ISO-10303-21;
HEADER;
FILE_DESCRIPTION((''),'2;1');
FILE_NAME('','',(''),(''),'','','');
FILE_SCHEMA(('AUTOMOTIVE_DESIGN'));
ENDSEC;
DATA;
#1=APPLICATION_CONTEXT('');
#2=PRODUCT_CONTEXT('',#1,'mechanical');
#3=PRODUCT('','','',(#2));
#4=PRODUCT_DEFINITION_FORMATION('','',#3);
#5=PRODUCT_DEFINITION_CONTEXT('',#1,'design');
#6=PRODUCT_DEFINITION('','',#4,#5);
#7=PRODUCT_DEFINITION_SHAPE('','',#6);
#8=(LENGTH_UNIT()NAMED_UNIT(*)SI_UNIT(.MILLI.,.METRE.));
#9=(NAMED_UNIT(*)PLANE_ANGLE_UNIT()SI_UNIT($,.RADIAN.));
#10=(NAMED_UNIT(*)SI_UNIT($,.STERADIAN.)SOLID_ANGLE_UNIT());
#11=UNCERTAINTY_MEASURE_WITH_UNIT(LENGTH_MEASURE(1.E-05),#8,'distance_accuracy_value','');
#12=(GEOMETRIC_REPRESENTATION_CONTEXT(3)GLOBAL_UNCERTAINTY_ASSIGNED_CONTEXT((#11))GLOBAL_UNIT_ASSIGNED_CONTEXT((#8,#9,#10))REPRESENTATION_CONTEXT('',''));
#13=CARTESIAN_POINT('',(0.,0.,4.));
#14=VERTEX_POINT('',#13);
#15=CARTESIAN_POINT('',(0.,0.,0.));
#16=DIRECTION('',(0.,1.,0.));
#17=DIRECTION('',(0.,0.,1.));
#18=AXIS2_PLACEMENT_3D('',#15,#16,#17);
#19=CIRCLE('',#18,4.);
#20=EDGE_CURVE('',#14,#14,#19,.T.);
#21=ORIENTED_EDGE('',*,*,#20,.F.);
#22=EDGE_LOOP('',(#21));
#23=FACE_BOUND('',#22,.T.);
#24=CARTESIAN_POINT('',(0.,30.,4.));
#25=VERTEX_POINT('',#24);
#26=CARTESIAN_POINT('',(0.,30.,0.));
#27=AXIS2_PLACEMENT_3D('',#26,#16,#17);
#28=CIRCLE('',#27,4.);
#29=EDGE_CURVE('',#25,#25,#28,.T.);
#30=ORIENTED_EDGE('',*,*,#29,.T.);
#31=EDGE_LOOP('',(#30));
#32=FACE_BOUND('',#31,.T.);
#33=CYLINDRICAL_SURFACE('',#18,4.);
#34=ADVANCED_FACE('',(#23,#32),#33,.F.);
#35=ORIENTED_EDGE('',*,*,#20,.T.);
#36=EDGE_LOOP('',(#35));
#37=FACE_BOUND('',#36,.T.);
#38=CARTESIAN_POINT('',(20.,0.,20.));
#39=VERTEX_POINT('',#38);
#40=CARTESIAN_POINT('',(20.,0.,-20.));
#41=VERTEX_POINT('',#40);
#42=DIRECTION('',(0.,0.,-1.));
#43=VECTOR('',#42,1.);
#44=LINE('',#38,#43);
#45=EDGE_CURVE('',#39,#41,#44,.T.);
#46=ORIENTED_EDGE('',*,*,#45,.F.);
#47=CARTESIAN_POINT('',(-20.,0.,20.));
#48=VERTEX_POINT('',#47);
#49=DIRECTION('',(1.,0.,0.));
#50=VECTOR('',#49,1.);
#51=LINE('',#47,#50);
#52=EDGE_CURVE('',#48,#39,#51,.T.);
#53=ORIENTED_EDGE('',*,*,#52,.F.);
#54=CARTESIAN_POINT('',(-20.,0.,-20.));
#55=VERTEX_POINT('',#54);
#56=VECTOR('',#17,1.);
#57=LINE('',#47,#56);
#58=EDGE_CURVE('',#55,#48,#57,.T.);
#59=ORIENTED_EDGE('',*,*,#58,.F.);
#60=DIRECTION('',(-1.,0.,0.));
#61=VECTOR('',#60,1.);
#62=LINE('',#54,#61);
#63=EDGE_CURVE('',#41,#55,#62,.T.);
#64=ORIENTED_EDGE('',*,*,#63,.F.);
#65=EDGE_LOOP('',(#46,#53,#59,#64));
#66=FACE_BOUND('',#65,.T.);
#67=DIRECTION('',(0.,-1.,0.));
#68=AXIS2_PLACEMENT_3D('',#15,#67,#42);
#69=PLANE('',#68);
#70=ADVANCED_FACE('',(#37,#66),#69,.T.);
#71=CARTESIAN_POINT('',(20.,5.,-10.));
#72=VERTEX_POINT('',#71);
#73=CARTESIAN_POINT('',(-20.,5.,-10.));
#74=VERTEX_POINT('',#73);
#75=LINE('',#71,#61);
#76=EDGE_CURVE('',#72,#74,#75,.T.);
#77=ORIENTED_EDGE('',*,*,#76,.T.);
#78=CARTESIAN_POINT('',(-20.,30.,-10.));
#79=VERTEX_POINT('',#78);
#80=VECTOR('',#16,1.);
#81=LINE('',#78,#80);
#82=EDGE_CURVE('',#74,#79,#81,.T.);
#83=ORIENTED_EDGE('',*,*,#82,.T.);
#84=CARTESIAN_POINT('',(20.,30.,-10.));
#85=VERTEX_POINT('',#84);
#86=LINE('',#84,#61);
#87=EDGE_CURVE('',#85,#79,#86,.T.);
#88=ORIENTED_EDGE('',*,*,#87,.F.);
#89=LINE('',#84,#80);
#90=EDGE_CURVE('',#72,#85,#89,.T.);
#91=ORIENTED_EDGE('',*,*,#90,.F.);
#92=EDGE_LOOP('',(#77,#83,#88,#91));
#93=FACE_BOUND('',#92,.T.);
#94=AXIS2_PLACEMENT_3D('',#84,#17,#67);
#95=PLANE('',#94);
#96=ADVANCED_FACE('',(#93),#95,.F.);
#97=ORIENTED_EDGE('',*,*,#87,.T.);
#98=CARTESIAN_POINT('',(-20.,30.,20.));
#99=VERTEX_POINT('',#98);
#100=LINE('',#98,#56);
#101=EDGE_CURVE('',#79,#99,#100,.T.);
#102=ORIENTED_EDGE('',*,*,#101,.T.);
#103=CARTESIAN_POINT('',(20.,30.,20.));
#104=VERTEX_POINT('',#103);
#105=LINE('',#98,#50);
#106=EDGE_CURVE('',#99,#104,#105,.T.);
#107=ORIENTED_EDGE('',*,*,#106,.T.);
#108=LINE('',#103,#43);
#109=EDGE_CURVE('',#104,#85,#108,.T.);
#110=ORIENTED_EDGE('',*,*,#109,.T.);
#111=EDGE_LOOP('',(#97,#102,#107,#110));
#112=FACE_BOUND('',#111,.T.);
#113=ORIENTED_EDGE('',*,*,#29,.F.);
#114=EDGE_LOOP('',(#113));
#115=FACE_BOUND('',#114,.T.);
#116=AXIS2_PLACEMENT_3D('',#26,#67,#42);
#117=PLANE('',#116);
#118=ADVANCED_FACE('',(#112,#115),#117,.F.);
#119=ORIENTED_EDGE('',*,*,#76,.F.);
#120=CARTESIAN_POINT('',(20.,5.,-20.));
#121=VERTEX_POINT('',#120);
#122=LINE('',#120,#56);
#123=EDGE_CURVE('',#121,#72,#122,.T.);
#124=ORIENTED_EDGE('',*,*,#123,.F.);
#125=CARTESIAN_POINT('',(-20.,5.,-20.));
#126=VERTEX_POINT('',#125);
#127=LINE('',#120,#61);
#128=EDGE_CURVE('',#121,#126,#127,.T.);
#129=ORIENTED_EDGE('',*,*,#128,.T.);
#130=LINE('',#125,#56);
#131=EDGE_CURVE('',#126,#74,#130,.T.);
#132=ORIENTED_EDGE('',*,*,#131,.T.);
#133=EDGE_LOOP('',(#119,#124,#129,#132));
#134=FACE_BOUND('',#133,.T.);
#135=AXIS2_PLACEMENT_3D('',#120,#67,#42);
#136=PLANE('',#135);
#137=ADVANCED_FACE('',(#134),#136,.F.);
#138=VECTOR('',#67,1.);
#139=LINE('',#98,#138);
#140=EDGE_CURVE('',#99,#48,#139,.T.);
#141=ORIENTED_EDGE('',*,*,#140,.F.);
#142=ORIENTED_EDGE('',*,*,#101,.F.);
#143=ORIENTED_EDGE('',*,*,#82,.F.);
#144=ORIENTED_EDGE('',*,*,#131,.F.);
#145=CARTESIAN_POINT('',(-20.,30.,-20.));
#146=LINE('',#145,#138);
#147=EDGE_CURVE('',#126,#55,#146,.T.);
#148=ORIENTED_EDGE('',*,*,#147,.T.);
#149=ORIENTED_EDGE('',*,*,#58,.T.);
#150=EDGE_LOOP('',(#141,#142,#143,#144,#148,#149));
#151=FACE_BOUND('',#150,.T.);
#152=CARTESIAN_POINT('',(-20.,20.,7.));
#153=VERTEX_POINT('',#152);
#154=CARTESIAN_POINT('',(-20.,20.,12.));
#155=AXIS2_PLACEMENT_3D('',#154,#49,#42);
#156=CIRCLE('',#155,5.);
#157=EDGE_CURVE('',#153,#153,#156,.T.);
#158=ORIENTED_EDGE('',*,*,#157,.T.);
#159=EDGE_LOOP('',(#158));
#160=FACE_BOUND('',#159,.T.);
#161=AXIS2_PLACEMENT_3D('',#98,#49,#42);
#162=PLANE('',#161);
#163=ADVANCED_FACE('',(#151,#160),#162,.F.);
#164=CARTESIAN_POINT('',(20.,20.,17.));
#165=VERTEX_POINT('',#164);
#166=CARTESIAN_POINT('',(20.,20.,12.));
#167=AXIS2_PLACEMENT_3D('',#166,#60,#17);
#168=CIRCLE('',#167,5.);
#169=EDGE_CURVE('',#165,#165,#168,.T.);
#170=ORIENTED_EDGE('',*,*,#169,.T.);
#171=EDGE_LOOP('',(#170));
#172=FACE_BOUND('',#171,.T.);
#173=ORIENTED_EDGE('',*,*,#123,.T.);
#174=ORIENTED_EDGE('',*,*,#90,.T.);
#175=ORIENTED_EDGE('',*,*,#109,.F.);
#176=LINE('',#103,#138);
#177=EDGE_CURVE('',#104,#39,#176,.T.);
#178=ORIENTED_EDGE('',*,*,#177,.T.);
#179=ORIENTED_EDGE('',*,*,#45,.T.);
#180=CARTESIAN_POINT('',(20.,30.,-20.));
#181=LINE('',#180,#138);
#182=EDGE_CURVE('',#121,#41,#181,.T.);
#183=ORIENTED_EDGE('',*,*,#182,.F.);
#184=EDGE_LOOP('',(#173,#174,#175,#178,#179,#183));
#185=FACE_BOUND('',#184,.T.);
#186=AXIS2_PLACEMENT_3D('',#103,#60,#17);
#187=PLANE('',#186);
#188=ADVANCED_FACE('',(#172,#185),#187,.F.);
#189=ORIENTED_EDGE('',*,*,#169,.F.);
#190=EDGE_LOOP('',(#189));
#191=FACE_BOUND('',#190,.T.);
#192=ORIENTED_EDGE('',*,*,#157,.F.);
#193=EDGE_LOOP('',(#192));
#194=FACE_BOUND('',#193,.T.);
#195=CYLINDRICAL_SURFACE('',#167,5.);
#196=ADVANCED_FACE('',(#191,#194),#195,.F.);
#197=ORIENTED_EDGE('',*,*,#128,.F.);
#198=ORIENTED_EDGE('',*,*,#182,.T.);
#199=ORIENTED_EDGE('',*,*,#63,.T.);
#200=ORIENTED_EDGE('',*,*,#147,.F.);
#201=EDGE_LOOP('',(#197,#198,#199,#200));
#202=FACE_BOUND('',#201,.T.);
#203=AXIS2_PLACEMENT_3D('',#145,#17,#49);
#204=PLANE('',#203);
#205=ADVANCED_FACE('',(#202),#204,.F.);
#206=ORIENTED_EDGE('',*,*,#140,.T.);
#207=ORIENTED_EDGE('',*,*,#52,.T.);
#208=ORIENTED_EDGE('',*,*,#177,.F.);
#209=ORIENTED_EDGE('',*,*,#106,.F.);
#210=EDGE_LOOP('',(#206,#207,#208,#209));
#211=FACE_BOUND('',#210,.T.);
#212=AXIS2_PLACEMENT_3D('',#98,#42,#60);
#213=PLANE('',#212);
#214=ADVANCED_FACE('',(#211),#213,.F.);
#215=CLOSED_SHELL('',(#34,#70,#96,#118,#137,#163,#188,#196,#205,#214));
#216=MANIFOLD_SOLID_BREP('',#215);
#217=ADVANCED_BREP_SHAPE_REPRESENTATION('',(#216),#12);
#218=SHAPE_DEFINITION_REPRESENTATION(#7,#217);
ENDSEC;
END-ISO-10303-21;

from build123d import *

# Parameters (mm, degrees)
SKETCH1_W               = 40
SKETCH1_H               = 40
BOSS_EXTRUDE1_DEPTH     = 30
SKETCH2_R               = 4
CUT_EXTRUDE1_DEPTH      = 42.231056256
CUT_EXTRUDE2_DEPTH      = 54.851648071
CUT_EXTRUDE2_DEPTH_BACK = 54.851648071
SKETCH3_R               = 5
SKETCH4_W               = 10
SKETCH4_H               = 25
CUT_EXTRUDE3_DEPTH      = 54.851648071


with BuildPart() as part:
    # Sketch1 → Boss-Extrude1 (new body)
    with BuildSketch(Plane(origin=(0, 0, 0), x_dir=(1, 0, 0), z_dir=(0, 1, 0))):
        Rectangle(SKETCH1_W, SKETCH1_H)
    extrude(amount=BOSS_EXTRUDE1_DEPTH)

    # Sketch2 → Cut-Extrude1 (cut, through all)
    with BuildSketch(Plane(origin=(0, 30, 0), x_dir=(1, 0, 0), z_dir=(0, 1, 0))):
        with Locations(Location((0, 0, 0), (0, 0, 270))):
            Circle(SKETCH2_R)
    extrude(amount=-CUT_EXTRUDE1_DEPTH, mode=Mode.SUBTRACT)

    # Sketch3 → Cut-Extrude2 (cut, two sides: drawn at the far end of the back side and taken through both)
    with BuildSketch(Plane.ZY.offset(20).offset(-CUT_EXTRUDE2_DEPTH_BACK)):
        with Locations((12, 20)):
            Circle(SKETCH3_R)
    extrude(amount=CUT_EXTRUDE2_DEPTH + CUT_EXTRUDE2_DEPTH_BACK, mode=Mode.SUBTRACT)

    # Sketch4 → Cut-Extrude3 (cut, through all)
    with BuildSketch(Plane.ZY.offset(20)):
        with Locations((-15, 17.5)):
            Rectangle(SKETCH4_W, SKETCH4_H)
    extrude(amount=-CUT_EXTRUDE3_DEPTH, mode=Mode.SUBTRACT)


solid = part.part
